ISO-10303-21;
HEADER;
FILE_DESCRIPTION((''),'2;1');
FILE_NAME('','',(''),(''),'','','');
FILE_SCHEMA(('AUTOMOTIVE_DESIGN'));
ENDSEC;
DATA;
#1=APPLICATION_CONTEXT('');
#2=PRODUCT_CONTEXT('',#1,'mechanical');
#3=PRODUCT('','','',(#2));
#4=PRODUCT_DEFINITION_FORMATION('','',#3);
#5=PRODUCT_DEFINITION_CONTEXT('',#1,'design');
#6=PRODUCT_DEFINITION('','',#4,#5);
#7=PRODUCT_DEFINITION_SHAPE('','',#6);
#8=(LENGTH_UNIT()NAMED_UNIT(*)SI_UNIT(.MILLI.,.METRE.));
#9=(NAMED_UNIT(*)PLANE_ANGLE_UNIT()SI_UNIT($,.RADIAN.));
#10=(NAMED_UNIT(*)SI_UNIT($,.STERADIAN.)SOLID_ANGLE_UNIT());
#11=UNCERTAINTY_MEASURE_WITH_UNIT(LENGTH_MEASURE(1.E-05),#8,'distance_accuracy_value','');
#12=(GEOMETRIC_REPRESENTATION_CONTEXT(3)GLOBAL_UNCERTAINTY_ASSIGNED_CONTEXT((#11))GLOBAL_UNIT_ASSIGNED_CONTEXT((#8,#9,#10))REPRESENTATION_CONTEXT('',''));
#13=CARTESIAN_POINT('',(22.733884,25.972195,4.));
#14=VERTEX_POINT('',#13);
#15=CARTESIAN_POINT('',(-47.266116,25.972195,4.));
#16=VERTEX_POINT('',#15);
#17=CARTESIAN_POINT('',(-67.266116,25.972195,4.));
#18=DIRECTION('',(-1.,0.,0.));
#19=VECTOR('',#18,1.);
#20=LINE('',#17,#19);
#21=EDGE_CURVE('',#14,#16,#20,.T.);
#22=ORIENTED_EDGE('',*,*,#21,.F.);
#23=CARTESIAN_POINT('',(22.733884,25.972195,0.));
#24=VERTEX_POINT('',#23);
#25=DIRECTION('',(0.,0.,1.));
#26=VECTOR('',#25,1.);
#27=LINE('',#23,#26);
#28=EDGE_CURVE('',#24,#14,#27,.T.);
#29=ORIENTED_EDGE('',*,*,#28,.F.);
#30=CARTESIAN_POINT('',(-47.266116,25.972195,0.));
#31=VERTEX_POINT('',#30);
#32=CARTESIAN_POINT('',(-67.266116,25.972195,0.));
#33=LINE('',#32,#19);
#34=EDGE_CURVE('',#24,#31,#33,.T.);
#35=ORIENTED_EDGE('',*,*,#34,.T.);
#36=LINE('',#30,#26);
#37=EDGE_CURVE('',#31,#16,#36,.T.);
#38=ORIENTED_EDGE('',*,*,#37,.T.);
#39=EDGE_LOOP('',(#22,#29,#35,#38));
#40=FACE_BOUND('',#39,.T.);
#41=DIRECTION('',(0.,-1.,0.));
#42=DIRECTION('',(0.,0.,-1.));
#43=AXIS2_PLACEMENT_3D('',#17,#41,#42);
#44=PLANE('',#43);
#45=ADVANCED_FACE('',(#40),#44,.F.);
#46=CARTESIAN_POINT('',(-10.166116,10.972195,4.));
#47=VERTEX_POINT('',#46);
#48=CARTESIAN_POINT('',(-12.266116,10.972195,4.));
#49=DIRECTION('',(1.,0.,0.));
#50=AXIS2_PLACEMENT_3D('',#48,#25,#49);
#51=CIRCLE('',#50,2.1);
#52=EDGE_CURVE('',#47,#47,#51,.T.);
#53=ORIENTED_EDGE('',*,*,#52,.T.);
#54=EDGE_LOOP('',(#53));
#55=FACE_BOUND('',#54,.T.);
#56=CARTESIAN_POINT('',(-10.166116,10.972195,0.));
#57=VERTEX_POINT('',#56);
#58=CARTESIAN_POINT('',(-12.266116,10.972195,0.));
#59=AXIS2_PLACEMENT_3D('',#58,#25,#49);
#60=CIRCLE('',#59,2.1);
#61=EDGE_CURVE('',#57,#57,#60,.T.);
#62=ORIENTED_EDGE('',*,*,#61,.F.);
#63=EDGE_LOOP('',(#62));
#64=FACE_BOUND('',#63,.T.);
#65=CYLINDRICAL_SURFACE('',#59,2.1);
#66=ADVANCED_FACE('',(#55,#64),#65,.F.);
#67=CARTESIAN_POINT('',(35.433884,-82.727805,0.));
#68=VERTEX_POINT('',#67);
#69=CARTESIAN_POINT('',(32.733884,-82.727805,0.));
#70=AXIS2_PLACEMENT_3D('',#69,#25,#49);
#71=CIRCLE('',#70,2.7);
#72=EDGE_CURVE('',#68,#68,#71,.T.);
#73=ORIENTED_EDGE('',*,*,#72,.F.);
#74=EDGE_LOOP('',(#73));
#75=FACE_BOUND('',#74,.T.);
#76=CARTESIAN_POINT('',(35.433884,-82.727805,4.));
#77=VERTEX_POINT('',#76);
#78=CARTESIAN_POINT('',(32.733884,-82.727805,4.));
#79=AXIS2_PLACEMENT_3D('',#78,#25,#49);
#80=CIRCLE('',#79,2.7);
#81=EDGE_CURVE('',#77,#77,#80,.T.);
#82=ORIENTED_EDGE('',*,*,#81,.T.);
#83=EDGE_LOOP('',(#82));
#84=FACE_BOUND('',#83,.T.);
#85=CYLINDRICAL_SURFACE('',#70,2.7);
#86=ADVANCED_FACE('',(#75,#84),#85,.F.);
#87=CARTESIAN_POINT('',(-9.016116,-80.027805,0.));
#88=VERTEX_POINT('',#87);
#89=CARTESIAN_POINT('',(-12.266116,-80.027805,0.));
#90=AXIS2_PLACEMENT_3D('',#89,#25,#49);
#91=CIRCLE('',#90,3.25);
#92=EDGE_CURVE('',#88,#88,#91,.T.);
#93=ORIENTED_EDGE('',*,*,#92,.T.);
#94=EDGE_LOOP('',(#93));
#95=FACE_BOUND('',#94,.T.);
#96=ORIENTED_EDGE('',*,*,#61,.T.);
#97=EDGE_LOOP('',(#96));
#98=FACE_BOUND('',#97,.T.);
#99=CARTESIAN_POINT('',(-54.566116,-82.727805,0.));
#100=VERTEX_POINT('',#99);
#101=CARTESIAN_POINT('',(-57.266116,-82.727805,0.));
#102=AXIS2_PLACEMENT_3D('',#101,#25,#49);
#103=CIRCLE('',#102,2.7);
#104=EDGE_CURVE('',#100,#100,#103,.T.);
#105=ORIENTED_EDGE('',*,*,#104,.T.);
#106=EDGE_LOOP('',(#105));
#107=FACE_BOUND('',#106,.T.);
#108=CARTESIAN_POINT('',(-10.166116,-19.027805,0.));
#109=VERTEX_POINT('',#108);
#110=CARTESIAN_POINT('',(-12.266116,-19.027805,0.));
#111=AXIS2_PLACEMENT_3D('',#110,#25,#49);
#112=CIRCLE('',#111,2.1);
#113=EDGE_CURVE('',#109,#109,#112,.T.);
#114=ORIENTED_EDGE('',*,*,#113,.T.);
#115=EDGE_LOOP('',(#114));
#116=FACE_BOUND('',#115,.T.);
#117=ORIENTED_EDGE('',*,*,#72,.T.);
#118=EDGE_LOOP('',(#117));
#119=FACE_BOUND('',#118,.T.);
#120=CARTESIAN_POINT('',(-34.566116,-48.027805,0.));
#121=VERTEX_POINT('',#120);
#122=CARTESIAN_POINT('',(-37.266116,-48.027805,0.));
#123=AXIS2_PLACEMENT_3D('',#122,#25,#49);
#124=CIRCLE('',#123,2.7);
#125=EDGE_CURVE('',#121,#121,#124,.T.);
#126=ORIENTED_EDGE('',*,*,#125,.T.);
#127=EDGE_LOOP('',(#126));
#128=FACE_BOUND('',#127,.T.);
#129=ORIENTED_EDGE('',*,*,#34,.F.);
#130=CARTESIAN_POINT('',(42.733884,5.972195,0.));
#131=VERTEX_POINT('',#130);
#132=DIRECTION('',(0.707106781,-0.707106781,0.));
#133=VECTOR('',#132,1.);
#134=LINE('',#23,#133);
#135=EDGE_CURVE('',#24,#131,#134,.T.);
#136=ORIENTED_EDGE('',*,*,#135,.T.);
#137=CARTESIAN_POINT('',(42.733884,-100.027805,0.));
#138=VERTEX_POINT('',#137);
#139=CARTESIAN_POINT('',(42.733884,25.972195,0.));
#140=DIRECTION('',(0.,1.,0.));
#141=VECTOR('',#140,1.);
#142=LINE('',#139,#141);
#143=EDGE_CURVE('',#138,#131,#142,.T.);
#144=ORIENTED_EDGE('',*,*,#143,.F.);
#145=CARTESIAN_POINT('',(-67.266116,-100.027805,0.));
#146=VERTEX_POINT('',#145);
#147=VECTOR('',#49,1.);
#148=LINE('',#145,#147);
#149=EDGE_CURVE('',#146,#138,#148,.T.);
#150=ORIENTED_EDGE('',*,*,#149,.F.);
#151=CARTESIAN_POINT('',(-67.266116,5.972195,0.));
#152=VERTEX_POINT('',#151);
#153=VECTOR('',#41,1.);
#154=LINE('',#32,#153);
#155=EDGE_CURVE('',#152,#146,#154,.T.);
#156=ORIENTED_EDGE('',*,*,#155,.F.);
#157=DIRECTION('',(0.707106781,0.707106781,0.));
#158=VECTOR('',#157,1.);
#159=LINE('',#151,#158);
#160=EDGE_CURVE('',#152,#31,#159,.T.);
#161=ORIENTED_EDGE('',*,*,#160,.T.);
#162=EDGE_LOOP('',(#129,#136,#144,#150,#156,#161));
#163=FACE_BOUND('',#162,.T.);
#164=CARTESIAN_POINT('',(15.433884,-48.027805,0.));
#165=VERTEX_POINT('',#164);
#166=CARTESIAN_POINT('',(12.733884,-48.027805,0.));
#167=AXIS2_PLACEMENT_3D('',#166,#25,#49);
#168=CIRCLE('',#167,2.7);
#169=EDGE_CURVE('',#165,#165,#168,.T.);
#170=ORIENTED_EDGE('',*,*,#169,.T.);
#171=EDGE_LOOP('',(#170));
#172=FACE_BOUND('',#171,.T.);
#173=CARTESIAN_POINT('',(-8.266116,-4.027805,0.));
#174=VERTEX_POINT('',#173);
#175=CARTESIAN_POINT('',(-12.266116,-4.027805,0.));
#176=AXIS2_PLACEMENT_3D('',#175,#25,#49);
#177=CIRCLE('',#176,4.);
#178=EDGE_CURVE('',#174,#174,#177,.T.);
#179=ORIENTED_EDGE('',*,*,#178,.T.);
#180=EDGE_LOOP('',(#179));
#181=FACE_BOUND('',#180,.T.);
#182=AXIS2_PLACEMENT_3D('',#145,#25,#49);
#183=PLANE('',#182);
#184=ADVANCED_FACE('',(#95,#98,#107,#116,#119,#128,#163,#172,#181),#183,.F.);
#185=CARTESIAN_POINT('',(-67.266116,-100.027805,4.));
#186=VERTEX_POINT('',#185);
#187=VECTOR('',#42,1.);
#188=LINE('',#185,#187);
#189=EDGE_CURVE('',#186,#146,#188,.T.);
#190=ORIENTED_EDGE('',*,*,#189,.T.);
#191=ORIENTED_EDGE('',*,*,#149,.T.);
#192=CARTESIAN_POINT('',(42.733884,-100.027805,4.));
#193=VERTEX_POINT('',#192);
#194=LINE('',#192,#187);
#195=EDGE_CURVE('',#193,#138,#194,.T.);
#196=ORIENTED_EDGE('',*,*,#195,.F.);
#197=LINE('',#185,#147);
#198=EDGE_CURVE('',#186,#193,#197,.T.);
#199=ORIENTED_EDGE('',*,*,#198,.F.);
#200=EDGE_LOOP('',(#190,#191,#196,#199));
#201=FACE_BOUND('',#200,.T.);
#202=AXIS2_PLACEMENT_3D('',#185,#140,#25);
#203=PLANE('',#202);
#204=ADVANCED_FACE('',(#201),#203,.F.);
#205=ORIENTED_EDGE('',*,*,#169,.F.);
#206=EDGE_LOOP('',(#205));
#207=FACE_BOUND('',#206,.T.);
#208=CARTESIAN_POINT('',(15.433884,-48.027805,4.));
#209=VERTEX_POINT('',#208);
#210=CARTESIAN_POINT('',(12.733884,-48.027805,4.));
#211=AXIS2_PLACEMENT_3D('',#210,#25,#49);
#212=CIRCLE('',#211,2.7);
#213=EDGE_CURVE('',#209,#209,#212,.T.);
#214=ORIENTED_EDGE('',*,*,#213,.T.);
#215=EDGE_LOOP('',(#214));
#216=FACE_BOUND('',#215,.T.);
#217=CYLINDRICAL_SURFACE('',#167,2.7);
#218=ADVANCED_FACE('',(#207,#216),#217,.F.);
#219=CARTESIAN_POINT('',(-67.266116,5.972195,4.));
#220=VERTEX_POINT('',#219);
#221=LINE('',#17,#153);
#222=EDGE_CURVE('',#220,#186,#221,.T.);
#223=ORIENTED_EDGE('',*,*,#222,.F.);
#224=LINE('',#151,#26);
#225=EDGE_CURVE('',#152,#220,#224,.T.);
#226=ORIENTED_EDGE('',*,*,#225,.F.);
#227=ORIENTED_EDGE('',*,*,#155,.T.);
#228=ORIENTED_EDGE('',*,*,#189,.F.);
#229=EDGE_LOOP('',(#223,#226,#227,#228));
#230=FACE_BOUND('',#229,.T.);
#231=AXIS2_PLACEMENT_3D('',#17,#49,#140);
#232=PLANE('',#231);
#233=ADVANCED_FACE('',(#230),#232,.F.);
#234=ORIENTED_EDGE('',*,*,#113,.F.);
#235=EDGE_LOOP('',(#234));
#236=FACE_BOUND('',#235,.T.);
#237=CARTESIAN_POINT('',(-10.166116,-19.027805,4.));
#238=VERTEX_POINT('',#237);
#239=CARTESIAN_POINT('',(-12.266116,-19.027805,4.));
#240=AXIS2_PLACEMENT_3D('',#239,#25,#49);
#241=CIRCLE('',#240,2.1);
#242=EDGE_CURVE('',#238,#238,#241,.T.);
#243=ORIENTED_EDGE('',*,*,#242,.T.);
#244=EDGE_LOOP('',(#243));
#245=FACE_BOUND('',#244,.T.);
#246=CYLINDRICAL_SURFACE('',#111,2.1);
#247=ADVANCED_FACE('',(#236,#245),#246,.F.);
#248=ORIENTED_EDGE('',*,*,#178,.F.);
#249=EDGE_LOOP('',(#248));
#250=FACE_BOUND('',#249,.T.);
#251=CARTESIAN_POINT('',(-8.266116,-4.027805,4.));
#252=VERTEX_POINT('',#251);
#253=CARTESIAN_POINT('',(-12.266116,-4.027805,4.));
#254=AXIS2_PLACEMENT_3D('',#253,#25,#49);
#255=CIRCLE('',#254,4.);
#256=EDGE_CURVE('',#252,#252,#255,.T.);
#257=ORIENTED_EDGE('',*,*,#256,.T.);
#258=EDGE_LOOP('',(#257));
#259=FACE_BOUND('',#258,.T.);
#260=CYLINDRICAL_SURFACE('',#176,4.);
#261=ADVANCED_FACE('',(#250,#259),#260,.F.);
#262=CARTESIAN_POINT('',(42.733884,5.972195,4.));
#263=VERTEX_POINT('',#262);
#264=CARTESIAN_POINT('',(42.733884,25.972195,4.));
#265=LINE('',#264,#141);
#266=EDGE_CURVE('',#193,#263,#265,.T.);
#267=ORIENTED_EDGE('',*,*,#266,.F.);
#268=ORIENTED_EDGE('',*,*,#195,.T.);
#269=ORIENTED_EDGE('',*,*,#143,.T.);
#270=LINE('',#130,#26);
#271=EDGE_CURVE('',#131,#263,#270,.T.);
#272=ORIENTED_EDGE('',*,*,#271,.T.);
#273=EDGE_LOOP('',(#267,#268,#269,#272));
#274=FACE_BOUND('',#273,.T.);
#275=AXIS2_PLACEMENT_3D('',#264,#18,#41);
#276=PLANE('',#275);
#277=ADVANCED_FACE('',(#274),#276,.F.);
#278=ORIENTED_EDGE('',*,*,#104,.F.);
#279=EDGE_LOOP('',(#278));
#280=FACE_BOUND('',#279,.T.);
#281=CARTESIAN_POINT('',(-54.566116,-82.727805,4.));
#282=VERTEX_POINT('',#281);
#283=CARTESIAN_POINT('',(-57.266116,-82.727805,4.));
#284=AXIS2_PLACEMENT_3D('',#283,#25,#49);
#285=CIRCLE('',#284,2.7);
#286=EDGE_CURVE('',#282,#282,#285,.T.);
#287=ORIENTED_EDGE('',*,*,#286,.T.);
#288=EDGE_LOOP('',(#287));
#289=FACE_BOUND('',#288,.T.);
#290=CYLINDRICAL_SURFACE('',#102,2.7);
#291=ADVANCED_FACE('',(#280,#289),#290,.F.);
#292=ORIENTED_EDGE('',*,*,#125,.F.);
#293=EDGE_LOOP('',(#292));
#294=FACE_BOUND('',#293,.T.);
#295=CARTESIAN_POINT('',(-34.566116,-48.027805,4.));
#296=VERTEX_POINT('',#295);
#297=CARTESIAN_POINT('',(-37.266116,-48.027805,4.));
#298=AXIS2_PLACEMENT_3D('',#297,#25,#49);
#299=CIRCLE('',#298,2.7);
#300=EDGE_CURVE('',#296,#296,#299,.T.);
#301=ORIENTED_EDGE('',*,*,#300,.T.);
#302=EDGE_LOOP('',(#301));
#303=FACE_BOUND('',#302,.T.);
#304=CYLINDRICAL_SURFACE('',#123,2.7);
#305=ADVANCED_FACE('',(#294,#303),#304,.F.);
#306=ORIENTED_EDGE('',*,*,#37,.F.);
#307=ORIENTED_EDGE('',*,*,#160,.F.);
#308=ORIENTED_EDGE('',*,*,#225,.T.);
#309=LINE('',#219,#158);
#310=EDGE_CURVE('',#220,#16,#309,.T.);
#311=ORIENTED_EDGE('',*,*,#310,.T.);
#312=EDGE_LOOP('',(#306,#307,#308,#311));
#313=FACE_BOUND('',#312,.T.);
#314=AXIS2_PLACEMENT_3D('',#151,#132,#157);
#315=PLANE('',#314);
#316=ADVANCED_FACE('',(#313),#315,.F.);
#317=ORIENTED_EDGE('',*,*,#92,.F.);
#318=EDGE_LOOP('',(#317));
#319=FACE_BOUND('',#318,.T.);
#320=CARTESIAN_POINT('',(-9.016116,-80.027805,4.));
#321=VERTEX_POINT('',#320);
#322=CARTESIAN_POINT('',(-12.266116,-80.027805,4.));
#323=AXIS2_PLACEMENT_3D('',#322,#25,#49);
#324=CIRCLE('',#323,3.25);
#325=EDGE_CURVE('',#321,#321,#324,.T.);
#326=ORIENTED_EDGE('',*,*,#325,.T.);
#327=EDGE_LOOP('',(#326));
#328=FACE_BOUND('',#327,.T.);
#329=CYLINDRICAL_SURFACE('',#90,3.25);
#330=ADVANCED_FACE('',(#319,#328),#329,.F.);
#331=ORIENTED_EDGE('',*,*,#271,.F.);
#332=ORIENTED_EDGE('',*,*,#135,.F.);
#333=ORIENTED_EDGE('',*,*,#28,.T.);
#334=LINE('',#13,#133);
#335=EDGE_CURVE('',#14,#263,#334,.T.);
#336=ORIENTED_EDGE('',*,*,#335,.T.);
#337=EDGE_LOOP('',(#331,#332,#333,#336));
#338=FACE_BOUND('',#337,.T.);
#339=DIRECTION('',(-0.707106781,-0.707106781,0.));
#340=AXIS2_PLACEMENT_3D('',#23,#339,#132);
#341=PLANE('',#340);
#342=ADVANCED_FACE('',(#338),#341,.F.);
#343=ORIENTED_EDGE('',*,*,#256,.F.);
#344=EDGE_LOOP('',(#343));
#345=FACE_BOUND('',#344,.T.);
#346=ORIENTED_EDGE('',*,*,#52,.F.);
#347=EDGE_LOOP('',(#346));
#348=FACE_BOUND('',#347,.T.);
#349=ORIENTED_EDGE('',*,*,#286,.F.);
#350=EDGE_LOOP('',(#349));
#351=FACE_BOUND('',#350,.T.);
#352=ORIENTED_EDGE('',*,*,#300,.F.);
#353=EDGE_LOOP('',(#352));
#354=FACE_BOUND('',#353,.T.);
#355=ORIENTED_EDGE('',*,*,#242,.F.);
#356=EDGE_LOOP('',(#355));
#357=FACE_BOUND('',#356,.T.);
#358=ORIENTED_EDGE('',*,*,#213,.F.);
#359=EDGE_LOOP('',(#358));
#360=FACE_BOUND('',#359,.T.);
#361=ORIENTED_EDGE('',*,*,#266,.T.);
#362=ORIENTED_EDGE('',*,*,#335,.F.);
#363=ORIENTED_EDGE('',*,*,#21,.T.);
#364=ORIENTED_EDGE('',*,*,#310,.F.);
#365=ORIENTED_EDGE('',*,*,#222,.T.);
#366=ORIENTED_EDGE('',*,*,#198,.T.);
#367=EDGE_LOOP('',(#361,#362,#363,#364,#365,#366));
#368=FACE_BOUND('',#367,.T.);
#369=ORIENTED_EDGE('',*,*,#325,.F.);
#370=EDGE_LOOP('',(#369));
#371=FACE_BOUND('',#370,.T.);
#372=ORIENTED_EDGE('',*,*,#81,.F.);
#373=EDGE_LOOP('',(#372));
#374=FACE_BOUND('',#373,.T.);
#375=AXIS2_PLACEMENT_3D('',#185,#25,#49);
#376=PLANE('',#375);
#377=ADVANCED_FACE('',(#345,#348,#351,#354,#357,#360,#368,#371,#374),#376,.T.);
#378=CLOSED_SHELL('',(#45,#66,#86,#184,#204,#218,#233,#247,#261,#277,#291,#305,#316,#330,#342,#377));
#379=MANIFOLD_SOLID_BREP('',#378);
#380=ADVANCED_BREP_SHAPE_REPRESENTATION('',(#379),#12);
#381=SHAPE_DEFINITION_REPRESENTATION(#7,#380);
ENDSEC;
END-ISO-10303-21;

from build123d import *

# Parameters (mm, degrees)
SKETCH_1_W          = 110
SKETCH_1_H          = 126
EXTRUDE_1_DEPTH     = 4
SKETCH_2_R          = 2.7
SKETCH_2_R_2        = 3.25
SKETCH_2_R_3        = 4
SKETCH_2_R_4        = 2.1
CUT_EXTRUDE_2_DEPTH = 4
CUT_EXTRUDE_3_DEPTH = 4


with BuildPart() as part:
    # 草图1 → 凸台-拉伸1 (new body)
    with BuildSketch(Plane.XY):
        with Locations((-12.266115935, -37.027805236)):
            Rectangle(SKETCH_1_W, SKETCH_1_H)
    extrude(amount=EXTRUDE_1_DEPTH)

    # 草图2 → 切除-拉伸2 (cut)
    with BuildSketch(Plane.XY.offset(4)):
        with Locations((12.733884065, -48.027805236)):
            Circle(SKETCH_2_R)
        with Locations((32.733884065, -82.727805236)):
            Circle(SKETCH_2_R)
        with Locations((-37.266115935, -48.027805236)):
            Circle(SKETCH_2_R)
        with Locations((-57.266115935, -82.727805236)):
            Circle(SKETCH_2_R)
        with Locations((-12.266115935, -80.027805236)):
            Circle(SKETCH_2_R_2)
        with Locations((-12.266115935, -4.027805236)):
            Circle(SKETCH_2_R_3)
        with Locations((-12.266115935, 10.972194764)):
            Circle(SKETCH_2_R_4)
        with Locations((-12.266115935, -19.027805236)):
            Circle(SKETCH_2_R_4)
    extrude(amount=-CUT_EXTRUDE_2_DEPTH, mode=Mode.SUBTRACT)

    # 草图3 → 切除-拉伸3 (cut)
    with BuildSketch(Plane.XY.offset(4)):
        Polygon((-67.266115935, 5.972194764), (-47.266115935, 25.972194764), (-67.266115935, 25.972194764), align=None)
        Polygon((22.733884065, 25.972194764), (42.733884065, 5.972194764), (42.733884065, 25.972194764), align=None)
    extrude(amount=-CUT_EXTRUDE_3_DEPTH, mode=Mode.SUBTRACT)


solid = part.part
